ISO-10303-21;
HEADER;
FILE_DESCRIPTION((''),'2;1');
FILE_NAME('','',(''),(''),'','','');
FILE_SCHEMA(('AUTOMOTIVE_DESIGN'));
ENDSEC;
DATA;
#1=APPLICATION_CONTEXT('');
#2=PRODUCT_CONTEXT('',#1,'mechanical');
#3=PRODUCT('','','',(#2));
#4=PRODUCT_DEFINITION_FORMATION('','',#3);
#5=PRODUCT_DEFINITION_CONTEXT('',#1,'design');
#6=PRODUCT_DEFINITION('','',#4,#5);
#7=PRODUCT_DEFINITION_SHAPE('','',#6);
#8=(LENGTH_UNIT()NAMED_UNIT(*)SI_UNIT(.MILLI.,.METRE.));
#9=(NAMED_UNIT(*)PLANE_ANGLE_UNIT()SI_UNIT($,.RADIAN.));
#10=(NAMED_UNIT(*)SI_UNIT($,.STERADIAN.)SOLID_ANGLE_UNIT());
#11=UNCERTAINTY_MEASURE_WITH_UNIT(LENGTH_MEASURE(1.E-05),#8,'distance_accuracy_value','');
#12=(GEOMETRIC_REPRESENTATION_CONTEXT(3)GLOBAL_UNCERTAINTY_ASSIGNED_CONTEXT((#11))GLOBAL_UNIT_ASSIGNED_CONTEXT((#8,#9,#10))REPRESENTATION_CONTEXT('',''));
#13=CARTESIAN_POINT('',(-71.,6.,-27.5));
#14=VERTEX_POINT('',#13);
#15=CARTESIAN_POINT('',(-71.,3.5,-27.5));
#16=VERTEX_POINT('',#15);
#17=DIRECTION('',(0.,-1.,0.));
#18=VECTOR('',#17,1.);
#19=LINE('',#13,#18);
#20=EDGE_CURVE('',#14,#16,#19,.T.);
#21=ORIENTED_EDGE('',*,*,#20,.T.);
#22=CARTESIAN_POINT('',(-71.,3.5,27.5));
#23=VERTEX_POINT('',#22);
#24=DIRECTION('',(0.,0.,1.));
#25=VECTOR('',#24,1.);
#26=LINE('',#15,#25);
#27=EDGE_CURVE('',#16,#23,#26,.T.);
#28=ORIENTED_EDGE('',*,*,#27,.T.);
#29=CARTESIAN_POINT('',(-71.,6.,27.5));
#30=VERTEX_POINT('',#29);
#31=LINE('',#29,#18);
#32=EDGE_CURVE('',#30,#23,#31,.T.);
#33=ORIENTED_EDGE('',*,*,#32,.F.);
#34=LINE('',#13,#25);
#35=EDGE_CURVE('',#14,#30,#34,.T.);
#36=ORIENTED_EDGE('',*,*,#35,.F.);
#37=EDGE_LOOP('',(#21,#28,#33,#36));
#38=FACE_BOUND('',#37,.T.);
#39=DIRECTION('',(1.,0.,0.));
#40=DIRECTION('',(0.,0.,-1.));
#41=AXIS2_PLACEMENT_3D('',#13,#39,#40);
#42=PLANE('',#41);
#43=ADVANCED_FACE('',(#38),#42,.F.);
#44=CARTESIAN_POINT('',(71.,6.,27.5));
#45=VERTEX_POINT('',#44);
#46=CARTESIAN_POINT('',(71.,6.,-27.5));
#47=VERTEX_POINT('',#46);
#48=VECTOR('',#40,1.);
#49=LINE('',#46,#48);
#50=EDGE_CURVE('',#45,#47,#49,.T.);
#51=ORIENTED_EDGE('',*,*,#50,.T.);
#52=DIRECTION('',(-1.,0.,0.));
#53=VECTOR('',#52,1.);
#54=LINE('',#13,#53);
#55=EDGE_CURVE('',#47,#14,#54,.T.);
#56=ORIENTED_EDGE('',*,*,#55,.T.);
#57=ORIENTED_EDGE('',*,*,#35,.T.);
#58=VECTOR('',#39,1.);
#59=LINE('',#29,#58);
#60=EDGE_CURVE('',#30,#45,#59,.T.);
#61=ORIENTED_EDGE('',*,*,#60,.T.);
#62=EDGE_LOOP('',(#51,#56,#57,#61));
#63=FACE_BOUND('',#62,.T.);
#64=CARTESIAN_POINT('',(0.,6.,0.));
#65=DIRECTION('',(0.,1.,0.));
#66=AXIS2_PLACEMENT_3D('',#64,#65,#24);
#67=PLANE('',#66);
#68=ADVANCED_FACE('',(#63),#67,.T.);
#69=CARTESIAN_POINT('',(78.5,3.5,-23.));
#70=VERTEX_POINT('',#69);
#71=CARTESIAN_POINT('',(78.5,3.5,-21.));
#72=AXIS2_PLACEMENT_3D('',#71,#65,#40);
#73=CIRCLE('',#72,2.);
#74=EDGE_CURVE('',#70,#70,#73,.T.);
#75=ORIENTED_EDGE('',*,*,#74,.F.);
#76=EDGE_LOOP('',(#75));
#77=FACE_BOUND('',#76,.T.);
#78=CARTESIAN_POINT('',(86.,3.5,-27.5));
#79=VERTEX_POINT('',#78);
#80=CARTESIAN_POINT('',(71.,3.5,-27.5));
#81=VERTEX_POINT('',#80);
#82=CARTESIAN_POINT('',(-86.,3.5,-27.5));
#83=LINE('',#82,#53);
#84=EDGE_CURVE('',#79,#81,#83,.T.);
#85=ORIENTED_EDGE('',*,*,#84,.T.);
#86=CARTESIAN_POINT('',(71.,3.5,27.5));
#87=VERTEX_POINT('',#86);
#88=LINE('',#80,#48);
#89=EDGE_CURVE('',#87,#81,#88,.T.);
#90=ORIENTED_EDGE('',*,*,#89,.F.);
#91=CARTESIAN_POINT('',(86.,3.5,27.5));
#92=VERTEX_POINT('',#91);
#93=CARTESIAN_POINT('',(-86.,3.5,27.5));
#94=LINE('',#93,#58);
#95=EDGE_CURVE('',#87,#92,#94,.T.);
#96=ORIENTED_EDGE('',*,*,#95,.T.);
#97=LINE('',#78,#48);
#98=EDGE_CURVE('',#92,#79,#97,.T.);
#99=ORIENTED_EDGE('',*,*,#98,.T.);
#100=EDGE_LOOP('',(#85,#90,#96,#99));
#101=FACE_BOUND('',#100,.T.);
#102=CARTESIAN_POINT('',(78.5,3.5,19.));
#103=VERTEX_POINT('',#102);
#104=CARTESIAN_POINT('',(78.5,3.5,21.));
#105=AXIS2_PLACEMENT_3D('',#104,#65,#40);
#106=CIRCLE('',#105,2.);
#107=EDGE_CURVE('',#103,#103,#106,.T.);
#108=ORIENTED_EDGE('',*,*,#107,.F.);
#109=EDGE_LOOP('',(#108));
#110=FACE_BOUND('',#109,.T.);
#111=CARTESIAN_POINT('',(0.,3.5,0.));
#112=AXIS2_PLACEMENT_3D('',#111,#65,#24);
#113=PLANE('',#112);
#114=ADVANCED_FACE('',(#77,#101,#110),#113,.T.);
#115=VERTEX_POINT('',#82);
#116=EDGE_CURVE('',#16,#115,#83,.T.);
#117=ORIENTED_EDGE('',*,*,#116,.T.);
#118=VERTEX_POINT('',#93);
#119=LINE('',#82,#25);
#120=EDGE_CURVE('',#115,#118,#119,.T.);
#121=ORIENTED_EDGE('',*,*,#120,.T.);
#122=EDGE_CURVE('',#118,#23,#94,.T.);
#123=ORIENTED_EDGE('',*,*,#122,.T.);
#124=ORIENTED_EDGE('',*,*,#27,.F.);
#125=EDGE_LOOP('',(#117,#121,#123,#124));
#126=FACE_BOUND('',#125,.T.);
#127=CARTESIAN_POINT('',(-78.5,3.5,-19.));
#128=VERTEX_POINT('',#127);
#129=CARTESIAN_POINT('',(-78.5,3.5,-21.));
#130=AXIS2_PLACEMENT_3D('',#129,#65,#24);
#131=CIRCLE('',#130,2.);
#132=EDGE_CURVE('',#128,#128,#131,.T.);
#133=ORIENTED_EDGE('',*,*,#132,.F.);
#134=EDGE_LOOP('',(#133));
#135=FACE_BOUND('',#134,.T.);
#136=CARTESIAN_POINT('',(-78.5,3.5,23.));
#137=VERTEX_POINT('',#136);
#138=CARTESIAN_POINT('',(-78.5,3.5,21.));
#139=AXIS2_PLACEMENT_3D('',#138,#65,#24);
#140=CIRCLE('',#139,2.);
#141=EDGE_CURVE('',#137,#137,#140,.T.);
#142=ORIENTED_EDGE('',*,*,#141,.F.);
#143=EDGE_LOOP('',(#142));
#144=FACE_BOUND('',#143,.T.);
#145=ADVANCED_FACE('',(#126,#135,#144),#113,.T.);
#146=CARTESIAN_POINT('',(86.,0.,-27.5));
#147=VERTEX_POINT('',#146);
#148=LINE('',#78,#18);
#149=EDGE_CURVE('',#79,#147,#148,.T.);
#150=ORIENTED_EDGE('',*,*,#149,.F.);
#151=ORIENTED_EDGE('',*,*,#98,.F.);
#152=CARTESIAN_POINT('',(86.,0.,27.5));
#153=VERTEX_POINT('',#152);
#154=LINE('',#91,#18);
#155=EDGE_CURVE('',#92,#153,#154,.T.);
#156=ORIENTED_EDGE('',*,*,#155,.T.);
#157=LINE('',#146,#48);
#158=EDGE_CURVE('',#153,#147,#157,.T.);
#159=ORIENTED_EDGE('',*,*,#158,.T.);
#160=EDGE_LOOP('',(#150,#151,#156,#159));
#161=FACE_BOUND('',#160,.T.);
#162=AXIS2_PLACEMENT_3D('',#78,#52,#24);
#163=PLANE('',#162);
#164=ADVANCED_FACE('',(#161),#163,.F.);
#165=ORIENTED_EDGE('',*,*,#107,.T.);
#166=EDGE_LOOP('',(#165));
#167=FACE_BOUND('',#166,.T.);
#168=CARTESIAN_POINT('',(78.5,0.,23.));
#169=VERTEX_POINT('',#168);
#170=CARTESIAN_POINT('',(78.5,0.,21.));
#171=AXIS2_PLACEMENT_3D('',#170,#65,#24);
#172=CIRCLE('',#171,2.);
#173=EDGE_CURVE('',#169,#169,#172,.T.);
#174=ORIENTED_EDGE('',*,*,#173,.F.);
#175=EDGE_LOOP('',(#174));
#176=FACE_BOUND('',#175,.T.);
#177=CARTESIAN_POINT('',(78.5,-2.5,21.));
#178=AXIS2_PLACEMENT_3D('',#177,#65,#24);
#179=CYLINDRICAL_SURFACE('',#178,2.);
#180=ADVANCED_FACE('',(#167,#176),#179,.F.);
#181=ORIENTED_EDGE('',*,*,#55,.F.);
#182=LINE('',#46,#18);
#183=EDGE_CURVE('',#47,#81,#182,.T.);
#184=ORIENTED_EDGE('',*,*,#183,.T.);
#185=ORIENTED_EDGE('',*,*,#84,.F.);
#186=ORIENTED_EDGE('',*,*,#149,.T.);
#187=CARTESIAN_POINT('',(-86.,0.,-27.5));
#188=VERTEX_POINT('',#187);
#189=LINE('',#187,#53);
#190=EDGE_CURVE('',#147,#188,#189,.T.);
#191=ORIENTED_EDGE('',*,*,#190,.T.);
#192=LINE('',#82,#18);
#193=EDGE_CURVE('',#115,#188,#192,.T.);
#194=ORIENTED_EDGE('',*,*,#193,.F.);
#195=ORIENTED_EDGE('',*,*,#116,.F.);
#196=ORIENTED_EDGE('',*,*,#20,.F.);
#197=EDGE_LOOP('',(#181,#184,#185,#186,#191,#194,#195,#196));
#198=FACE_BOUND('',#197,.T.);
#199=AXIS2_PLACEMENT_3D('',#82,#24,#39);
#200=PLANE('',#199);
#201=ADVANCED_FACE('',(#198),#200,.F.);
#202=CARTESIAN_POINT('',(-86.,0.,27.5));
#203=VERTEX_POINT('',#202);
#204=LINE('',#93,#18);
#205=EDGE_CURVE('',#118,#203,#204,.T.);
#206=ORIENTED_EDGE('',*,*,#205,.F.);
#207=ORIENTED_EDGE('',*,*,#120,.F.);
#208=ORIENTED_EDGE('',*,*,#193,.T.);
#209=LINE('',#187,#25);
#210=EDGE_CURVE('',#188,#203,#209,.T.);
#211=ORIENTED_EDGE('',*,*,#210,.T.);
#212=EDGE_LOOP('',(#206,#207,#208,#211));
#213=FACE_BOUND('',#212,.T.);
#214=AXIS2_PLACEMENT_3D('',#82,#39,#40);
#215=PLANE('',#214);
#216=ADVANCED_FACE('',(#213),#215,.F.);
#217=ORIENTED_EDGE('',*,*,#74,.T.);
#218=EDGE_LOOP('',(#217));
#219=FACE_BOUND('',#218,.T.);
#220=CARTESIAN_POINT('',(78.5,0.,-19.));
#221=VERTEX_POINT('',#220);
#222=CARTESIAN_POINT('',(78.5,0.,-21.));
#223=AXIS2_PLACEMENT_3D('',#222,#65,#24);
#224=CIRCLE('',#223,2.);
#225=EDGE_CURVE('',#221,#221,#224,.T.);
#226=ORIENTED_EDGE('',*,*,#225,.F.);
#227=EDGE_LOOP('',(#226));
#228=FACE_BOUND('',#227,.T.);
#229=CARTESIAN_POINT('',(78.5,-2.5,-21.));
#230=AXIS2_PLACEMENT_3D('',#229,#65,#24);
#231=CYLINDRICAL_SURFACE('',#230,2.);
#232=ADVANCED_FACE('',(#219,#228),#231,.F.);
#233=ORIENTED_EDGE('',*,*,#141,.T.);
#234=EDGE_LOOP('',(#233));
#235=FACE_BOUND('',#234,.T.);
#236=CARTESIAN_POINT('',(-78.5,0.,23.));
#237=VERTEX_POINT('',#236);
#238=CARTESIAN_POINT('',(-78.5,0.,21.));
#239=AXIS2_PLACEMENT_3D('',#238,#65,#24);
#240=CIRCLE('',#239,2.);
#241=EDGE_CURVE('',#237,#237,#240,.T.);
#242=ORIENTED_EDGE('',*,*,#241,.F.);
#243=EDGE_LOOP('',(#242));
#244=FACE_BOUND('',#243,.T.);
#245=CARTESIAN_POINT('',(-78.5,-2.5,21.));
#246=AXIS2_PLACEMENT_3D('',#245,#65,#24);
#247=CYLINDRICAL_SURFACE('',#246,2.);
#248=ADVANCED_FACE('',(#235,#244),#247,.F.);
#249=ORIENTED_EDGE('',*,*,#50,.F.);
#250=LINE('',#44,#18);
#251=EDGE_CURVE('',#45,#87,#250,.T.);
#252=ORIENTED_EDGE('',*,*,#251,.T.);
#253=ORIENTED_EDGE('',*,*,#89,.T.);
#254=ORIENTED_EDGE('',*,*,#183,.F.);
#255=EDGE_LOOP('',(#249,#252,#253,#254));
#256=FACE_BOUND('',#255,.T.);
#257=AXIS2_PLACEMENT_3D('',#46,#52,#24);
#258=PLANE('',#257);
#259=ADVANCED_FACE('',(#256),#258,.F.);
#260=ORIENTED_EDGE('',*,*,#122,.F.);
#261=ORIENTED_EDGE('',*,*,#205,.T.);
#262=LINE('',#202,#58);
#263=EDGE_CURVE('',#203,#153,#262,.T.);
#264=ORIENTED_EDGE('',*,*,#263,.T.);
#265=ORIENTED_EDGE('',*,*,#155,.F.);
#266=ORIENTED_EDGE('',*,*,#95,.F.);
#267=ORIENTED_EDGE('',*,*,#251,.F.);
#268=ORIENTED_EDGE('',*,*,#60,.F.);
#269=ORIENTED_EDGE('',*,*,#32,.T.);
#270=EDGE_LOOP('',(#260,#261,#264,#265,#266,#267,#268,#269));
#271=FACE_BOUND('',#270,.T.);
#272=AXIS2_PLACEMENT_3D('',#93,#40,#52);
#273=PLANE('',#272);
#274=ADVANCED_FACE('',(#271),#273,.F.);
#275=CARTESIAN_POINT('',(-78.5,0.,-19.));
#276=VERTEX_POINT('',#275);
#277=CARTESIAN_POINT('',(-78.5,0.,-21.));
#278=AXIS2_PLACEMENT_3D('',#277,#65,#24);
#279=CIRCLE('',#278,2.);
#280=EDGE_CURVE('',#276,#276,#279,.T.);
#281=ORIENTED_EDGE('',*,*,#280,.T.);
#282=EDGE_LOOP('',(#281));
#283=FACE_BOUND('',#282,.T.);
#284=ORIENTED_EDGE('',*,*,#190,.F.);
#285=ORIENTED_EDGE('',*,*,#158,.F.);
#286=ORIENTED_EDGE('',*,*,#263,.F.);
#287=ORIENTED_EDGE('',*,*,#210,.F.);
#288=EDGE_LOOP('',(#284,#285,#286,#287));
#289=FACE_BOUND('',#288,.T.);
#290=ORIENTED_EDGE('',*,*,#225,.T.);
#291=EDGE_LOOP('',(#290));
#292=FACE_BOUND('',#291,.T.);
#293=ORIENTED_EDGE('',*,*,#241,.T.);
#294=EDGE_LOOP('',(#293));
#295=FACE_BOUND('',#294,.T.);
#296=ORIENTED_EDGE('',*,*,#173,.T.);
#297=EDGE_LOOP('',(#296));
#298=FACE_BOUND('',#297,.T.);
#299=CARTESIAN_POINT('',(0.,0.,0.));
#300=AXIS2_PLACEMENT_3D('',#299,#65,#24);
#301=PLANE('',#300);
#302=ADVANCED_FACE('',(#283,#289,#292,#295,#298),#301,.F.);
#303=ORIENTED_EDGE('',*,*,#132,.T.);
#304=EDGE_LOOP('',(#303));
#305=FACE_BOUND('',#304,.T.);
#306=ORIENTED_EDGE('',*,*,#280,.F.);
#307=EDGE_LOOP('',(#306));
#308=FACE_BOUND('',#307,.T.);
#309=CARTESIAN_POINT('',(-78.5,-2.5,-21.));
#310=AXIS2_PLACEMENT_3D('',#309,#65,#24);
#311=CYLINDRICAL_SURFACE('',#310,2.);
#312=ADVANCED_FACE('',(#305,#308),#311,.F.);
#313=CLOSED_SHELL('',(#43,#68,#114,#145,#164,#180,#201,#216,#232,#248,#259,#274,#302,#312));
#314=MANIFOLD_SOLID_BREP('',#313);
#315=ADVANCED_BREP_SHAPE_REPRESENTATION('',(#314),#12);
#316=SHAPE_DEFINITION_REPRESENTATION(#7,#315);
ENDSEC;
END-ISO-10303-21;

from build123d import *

# Parameters (mm, degrees)
ESQUISSE1_W             = 172
ESQUISSE1_H             = 55
BOSS_EXTRU_1_DEPTH      = 3.5
ESQUISSE2_R             = 2
ENL_V_MAT_EXTRU_1_DEPTH = 6
ESQUISSE3_W             = 142
ESQUISSE3_H             = 55
BOSS_EXTRU_2_DEPTH      = 2.5


with BuildPart() as part:
    # Esquisse1 → Boss.-Extru.1 (new body)
    with BuildSketch(Plane(origin=(0, 0, 0), x_dir=(1, 0, 0), z_dir=(0, 1, 0))):
        Rectangle(ESQUISSE1_W, ESQUISSE1_H)
    extrude(amount=BOSS_EXTRU_1_DEPTH)

    # Esquisse2 → Enlèv. mat.-Extru.1 (cut)
    with BuildSketch(Plane(origin=(0, 3.5, 0), x_dir=(1, 0, 0), z_dir=(0, 1, 0))):
        with Locations((-78.5, 21)):
            Circle(ESQUISSE2_R)
        with Locations((-78.5, -21)):
            Circle(ESQUISSE2_R)
        with Locations((78.5, -21)):
            Circle(ESQUISSE2_R)
        with Locations((78.5, 21)):
            Circle(ESQUISSE2_R)
    extrude(amount=-ENL_V_MAT_EXTRU_1_DEPTH, mode=Mode.SUBTRACT)

    # Esquisse3 → Boss.-Extru.2 (add)
    with BuildSketch(Plane(origin=(0, 3.5, 0), x_dir=(1, 0, 0), z_dir=(0, 1, 0))):
        Rectangle(ESQUISSE3_W, ESQUISSE3_H)
    extrude(amount=BOSS_EXTRU_2_DEPTH)


solid = part.part
